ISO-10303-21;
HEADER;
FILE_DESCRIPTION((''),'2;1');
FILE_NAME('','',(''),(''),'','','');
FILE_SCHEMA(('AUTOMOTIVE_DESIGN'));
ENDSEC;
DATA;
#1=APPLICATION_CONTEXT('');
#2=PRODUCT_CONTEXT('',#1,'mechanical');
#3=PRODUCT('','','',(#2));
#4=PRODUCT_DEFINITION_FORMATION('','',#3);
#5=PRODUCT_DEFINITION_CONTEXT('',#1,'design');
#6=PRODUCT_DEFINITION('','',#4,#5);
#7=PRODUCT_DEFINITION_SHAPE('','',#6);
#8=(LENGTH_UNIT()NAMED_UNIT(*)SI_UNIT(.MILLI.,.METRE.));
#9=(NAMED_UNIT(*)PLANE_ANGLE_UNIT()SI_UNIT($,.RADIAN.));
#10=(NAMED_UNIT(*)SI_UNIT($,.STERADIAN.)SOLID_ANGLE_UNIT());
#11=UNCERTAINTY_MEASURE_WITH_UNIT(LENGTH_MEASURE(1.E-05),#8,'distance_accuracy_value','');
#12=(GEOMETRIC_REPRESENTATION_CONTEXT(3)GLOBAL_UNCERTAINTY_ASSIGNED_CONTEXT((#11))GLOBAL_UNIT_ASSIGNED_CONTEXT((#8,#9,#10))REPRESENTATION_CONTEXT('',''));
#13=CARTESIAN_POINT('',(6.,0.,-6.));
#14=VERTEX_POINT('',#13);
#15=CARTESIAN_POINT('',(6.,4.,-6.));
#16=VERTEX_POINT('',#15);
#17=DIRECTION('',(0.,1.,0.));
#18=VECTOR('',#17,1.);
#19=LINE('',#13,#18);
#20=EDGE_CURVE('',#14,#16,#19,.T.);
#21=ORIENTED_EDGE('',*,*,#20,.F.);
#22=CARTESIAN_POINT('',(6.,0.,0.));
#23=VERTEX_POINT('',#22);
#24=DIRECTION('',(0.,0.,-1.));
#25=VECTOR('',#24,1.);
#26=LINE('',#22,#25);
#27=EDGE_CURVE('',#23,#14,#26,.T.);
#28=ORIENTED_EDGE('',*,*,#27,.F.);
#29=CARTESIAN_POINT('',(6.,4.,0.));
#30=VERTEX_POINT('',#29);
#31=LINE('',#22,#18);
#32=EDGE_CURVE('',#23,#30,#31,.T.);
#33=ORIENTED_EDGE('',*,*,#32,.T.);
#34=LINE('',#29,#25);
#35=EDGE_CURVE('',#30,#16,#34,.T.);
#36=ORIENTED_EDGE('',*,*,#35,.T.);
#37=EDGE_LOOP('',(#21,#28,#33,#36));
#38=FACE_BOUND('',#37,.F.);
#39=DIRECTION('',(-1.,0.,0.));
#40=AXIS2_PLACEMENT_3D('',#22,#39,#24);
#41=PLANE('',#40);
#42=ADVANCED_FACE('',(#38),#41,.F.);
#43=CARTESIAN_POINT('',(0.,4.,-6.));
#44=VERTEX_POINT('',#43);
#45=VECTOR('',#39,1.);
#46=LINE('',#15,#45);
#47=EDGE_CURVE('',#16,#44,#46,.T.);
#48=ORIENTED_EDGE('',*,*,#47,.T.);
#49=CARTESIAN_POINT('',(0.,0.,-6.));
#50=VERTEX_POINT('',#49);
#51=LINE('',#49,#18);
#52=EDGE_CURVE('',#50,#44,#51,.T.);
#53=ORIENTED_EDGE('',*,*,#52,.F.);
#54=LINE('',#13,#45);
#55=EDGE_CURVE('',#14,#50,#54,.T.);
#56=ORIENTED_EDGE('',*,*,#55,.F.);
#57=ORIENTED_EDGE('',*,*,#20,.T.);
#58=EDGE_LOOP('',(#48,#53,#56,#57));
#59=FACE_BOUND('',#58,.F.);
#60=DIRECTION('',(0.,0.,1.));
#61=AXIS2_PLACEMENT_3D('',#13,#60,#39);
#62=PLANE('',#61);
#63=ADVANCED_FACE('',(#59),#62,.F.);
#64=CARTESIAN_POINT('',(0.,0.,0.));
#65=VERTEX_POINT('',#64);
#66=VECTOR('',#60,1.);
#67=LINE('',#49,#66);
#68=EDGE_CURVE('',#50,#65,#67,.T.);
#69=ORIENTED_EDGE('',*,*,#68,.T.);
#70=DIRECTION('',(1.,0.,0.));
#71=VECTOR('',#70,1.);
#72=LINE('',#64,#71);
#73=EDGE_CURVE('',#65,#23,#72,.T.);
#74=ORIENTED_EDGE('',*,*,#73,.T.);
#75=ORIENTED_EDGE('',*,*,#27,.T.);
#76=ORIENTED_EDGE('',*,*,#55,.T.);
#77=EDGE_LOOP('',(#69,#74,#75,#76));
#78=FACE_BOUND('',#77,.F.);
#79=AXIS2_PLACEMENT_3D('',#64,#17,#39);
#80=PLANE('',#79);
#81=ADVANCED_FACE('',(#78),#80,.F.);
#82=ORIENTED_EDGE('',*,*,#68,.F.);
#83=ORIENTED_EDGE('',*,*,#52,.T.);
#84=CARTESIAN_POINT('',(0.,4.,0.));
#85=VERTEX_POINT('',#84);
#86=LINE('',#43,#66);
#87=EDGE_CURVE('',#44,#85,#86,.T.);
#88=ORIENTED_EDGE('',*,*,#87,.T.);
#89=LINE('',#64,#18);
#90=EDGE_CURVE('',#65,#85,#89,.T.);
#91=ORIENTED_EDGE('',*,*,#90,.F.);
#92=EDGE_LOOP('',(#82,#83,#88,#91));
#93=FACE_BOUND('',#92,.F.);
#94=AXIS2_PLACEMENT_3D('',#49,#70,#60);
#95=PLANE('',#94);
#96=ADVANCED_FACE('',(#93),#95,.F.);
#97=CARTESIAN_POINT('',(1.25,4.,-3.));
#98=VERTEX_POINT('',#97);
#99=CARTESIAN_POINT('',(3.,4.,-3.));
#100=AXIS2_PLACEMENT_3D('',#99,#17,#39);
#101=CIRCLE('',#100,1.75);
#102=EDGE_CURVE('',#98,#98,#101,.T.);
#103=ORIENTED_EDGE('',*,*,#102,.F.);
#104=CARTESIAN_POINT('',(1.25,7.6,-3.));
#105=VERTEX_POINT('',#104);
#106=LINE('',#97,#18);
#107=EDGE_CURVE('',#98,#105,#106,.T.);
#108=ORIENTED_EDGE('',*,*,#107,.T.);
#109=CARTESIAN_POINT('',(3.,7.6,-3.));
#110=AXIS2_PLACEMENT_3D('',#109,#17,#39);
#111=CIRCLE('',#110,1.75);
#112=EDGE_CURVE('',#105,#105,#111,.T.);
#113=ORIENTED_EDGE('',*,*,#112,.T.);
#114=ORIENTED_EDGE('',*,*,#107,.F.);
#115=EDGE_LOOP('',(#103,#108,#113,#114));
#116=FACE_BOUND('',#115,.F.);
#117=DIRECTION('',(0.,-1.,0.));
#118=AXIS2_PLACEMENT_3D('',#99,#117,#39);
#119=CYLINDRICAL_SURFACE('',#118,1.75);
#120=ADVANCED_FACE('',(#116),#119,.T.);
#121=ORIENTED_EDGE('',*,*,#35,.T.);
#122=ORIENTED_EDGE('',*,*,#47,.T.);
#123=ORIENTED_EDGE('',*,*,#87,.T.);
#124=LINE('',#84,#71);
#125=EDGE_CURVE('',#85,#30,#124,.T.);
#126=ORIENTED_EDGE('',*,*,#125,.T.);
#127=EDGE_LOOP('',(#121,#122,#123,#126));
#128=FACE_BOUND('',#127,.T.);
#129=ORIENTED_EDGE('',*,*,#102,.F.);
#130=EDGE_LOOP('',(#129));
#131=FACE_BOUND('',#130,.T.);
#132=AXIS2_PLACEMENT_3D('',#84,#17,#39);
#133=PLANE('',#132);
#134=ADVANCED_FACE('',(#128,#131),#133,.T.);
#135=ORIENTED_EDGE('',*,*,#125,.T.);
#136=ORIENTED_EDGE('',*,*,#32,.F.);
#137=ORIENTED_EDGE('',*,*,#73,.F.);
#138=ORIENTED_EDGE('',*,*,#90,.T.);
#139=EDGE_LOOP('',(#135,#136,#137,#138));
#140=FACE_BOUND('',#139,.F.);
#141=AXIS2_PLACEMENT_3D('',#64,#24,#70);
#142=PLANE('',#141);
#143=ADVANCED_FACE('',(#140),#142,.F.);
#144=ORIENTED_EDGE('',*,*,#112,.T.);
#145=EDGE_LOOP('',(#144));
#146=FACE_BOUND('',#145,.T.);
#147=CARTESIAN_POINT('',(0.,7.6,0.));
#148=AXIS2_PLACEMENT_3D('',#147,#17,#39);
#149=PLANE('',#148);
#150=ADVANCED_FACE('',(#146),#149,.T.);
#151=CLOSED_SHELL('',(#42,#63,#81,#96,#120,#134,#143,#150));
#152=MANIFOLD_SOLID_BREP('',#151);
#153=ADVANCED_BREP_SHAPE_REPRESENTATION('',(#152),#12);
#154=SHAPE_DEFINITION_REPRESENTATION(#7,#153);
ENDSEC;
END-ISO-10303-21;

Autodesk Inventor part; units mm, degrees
ref_plane "YZ Plane" through (0, 0, 0) normal (1, 0, 0) x (0, 1, 0)
ref_plane "XZ Plane" through (0, 0, 0) normal (0, 1, 0) x (-1, 0, 0)
ref_plane "XY Plane" through (0, 0, 0) normal (0, 0, 1) x (1, 0, 0)
sketch "Sketch1" plane through (0, 0, 0) normal (0, 1, 0) x (-1, 0, 0)
  line L0 (0, 0) -> (-6, 0)
  line L1 (-6, 0) -> (-6, -6)
  line L2 (-6, -6) -> (0, -6)
  line L3 (0, -6) -> (0, 0)
  circle A0 centre (-3, -3) radius 1.75
  dimension "d9" = 6
  dimension "d10" = 6
  dimension "d13" = 3.5
extrude "Extrusion3" add sketch "Sketch1" along normal blind 4 contours L3 L2 L1 L0 | A0
extrude "Extrusion4" add sketch "Sketch1" along normal blind 3.6 from surface at 4 contours A0
properties part number "ESP32_C3_SM"
